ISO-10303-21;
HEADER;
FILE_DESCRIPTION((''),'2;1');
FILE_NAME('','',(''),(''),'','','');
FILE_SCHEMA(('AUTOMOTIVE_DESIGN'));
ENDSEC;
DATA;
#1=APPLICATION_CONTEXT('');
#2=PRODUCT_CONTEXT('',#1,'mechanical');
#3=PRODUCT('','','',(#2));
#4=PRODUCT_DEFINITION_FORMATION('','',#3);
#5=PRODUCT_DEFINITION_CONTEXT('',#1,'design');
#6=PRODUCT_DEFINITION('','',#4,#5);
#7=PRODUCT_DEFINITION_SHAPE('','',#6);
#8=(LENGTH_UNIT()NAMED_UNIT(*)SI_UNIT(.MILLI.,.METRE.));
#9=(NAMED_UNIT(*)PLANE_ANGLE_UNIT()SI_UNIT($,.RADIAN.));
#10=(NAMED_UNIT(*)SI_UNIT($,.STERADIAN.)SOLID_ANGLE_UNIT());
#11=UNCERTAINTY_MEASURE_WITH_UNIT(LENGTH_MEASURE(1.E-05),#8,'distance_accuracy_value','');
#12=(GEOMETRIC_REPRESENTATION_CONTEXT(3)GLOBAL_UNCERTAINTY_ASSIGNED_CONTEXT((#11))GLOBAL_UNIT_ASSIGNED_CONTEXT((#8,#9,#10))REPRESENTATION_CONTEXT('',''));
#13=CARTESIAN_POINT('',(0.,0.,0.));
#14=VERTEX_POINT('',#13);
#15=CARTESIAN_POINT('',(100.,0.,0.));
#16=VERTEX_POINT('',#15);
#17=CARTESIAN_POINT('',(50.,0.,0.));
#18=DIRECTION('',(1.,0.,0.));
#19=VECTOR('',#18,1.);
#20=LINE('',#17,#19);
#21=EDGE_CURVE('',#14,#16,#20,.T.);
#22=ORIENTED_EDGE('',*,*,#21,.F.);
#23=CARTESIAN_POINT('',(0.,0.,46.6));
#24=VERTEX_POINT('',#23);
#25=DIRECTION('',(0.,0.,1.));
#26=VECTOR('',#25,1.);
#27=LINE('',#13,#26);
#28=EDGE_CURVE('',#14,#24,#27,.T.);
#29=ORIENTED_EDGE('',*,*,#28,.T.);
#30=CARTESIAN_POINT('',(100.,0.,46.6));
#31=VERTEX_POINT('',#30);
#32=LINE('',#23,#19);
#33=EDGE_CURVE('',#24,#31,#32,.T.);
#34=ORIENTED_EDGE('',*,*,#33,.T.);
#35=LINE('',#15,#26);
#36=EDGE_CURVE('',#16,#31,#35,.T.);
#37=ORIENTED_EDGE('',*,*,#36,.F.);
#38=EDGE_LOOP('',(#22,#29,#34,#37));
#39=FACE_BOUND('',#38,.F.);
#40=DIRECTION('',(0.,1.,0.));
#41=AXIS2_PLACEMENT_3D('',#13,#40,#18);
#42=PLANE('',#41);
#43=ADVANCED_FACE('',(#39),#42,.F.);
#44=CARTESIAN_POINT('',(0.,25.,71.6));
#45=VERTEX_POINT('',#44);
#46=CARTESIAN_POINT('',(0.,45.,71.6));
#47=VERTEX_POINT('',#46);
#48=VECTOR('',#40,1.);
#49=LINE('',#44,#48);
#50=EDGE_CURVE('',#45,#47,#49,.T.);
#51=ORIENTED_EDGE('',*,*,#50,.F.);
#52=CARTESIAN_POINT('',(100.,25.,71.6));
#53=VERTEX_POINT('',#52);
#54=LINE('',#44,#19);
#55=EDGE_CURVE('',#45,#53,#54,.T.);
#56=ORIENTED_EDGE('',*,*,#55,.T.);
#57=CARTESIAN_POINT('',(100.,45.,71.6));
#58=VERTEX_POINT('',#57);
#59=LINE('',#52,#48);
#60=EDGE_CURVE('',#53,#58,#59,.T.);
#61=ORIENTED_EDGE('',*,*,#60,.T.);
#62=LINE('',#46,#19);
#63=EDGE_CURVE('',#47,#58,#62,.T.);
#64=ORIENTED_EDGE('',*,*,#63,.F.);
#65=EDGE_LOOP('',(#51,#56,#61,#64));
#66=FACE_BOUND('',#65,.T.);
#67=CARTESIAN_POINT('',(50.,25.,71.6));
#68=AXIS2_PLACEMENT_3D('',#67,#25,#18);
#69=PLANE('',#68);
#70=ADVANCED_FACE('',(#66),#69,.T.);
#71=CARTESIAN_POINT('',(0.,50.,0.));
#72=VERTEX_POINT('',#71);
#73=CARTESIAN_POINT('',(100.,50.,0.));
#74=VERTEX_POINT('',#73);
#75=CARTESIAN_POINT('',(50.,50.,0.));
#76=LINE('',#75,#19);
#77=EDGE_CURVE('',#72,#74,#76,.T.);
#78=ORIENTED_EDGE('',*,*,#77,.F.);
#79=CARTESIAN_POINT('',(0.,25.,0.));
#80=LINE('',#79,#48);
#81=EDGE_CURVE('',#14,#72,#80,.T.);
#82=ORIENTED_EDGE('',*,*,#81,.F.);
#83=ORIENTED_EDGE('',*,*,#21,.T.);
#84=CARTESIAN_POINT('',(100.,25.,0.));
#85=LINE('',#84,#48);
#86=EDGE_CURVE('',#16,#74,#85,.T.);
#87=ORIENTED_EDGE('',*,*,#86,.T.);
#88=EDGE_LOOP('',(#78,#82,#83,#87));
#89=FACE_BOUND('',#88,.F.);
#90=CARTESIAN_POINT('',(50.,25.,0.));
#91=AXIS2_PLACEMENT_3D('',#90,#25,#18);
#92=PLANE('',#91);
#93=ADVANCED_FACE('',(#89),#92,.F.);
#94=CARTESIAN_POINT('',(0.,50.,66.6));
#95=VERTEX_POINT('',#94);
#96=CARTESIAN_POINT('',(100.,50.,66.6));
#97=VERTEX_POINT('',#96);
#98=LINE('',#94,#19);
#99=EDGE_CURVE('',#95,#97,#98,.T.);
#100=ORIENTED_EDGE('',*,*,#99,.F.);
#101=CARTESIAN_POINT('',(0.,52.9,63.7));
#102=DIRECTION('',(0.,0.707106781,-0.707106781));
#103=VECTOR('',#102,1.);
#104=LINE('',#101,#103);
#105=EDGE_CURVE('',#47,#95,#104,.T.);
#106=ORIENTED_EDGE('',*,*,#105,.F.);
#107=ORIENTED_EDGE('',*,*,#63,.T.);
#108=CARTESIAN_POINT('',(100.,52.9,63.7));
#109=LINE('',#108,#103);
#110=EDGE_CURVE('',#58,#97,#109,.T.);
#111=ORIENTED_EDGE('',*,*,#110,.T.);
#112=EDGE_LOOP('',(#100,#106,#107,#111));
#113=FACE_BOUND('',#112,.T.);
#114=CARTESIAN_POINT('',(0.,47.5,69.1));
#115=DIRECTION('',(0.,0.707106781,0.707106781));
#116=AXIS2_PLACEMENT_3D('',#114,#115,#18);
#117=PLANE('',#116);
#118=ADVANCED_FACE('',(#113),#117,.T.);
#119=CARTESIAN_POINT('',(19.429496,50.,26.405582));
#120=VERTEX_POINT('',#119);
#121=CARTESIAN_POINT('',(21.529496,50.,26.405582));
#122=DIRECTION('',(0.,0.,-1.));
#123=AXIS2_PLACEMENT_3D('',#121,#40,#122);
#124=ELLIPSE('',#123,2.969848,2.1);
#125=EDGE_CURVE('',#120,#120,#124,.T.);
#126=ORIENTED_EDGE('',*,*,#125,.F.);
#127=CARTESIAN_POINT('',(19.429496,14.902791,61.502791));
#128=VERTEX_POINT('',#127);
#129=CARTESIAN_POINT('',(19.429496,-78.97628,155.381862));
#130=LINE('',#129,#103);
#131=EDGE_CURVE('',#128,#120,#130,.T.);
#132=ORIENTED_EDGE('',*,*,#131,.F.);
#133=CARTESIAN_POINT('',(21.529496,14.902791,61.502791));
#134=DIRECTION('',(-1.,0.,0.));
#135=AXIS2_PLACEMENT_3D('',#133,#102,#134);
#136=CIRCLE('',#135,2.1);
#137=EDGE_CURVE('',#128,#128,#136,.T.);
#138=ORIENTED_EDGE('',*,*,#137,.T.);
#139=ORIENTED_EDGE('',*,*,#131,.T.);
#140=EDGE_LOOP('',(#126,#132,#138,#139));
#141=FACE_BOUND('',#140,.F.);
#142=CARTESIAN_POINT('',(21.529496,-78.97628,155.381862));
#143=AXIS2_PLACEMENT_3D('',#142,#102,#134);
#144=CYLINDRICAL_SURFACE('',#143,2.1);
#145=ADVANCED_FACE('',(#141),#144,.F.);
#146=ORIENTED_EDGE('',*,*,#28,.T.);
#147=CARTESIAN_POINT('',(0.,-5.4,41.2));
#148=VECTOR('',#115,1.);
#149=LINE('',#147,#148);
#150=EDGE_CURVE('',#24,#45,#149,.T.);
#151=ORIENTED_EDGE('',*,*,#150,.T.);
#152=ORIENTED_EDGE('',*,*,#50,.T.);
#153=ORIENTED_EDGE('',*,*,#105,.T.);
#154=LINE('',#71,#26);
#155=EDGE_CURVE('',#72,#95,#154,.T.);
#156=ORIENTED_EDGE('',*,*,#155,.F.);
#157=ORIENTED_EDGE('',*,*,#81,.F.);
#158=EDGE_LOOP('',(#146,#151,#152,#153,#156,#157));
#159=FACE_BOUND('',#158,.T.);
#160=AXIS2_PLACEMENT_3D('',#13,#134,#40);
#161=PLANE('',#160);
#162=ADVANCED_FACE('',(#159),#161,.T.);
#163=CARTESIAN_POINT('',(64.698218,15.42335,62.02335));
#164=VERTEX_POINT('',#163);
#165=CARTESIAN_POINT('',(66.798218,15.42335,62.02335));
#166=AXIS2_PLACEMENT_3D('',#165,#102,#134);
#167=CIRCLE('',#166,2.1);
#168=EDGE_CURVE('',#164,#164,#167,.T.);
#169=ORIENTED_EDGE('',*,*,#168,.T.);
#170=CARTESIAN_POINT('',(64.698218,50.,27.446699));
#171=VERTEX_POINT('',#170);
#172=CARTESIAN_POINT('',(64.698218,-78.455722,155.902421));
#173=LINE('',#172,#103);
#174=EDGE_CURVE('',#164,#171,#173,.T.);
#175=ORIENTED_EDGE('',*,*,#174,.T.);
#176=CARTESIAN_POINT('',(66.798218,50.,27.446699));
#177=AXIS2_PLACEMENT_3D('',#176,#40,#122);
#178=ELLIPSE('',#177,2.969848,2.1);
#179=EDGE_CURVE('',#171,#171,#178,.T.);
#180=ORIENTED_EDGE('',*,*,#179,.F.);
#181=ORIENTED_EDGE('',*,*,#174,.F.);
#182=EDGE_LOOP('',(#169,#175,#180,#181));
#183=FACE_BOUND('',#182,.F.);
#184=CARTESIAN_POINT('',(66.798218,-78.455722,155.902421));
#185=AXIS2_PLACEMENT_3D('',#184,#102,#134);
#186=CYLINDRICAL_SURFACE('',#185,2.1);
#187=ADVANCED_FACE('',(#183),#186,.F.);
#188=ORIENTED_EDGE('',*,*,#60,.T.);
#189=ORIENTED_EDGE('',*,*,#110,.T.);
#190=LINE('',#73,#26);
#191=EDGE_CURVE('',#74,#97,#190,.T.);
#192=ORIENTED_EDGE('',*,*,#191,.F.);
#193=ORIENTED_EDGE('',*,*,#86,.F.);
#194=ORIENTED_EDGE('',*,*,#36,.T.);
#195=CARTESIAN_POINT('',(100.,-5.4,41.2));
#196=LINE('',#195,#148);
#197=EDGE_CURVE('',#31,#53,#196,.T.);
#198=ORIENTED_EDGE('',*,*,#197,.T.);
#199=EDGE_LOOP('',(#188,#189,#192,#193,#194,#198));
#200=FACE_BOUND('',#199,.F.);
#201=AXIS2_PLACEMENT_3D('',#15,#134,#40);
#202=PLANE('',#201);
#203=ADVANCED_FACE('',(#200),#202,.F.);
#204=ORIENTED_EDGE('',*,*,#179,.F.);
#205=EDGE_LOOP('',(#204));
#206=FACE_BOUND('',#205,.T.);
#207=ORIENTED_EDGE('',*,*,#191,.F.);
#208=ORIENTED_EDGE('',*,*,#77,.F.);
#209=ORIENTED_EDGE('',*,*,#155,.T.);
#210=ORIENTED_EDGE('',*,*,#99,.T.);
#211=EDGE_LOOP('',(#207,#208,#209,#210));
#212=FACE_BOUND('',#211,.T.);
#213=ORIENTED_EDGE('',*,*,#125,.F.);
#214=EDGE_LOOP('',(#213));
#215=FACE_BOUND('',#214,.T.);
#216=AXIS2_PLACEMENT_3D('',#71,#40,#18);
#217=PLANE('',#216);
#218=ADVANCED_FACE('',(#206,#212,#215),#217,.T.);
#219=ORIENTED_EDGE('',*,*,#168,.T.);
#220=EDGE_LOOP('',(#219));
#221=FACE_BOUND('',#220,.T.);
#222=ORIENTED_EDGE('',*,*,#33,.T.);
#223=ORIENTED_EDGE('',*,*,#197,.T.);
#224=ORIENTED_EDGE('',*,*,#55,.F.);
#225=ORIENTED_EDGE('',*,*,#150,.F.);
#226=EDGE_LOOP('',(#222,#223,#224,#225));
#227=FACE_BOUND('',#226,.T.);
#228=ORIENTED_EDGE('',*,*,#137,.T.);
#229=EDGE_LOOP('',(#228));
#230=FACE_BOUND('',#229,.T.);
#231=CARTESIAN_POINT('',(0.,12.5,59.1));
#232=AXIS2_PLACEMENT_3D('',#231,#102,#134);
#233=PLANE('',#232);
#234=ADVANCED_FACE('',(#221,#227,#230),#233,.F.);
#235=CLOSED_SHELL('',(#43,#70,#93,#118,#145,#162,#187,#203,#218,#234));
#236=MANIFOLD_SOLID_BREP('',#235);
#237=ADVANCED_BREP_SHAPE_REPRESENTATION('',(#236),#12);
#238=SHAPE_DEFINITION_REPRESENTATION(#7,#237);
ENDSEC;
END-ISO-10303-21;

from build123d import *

# Parameters (mm, degrees)
F0_W     = 100
F0_H     = 50
F1_DEPTH = 71.6
F2_SIZE  = 25
F4_D     = 4.2
F5_SIZE  = 5


with BuildPart() as f1:
    # F0 (on Top) → F1 (new body)
    with BuildSketch(Plane.XY):
        with Locations((50, 25)):
            Rectangle(F0_W, F0_H)
    extrude(amount=F1_DEPTH)

    # F2
    f2_edges = [f1.edges().sort_by_distance(p)[0] for p in [
        (50, 0, 71.6),
    ]]
    chamfer(f2_edges, length=F2_SIZE)

    # F4 (through all)
    with Locations(Plane(origin=(0, -23.3, 23.3), x_dir=(1, 0, 0), z_dir=(0, -0.7071067812, 0.7071067812))):
        with Locations((66.7982175946, 54.7630861402), (21.5294957161, 54.0269054472)):
            Hole(F4_D / 2)

    # F5
    f5_edges = [f1.edges().sort_by_distance(p)[0] for p in [
        (50, 50, 71.6),
    ]]
    chamfer(f5_edges, length=F5_SIZE)


solid = f1.part
